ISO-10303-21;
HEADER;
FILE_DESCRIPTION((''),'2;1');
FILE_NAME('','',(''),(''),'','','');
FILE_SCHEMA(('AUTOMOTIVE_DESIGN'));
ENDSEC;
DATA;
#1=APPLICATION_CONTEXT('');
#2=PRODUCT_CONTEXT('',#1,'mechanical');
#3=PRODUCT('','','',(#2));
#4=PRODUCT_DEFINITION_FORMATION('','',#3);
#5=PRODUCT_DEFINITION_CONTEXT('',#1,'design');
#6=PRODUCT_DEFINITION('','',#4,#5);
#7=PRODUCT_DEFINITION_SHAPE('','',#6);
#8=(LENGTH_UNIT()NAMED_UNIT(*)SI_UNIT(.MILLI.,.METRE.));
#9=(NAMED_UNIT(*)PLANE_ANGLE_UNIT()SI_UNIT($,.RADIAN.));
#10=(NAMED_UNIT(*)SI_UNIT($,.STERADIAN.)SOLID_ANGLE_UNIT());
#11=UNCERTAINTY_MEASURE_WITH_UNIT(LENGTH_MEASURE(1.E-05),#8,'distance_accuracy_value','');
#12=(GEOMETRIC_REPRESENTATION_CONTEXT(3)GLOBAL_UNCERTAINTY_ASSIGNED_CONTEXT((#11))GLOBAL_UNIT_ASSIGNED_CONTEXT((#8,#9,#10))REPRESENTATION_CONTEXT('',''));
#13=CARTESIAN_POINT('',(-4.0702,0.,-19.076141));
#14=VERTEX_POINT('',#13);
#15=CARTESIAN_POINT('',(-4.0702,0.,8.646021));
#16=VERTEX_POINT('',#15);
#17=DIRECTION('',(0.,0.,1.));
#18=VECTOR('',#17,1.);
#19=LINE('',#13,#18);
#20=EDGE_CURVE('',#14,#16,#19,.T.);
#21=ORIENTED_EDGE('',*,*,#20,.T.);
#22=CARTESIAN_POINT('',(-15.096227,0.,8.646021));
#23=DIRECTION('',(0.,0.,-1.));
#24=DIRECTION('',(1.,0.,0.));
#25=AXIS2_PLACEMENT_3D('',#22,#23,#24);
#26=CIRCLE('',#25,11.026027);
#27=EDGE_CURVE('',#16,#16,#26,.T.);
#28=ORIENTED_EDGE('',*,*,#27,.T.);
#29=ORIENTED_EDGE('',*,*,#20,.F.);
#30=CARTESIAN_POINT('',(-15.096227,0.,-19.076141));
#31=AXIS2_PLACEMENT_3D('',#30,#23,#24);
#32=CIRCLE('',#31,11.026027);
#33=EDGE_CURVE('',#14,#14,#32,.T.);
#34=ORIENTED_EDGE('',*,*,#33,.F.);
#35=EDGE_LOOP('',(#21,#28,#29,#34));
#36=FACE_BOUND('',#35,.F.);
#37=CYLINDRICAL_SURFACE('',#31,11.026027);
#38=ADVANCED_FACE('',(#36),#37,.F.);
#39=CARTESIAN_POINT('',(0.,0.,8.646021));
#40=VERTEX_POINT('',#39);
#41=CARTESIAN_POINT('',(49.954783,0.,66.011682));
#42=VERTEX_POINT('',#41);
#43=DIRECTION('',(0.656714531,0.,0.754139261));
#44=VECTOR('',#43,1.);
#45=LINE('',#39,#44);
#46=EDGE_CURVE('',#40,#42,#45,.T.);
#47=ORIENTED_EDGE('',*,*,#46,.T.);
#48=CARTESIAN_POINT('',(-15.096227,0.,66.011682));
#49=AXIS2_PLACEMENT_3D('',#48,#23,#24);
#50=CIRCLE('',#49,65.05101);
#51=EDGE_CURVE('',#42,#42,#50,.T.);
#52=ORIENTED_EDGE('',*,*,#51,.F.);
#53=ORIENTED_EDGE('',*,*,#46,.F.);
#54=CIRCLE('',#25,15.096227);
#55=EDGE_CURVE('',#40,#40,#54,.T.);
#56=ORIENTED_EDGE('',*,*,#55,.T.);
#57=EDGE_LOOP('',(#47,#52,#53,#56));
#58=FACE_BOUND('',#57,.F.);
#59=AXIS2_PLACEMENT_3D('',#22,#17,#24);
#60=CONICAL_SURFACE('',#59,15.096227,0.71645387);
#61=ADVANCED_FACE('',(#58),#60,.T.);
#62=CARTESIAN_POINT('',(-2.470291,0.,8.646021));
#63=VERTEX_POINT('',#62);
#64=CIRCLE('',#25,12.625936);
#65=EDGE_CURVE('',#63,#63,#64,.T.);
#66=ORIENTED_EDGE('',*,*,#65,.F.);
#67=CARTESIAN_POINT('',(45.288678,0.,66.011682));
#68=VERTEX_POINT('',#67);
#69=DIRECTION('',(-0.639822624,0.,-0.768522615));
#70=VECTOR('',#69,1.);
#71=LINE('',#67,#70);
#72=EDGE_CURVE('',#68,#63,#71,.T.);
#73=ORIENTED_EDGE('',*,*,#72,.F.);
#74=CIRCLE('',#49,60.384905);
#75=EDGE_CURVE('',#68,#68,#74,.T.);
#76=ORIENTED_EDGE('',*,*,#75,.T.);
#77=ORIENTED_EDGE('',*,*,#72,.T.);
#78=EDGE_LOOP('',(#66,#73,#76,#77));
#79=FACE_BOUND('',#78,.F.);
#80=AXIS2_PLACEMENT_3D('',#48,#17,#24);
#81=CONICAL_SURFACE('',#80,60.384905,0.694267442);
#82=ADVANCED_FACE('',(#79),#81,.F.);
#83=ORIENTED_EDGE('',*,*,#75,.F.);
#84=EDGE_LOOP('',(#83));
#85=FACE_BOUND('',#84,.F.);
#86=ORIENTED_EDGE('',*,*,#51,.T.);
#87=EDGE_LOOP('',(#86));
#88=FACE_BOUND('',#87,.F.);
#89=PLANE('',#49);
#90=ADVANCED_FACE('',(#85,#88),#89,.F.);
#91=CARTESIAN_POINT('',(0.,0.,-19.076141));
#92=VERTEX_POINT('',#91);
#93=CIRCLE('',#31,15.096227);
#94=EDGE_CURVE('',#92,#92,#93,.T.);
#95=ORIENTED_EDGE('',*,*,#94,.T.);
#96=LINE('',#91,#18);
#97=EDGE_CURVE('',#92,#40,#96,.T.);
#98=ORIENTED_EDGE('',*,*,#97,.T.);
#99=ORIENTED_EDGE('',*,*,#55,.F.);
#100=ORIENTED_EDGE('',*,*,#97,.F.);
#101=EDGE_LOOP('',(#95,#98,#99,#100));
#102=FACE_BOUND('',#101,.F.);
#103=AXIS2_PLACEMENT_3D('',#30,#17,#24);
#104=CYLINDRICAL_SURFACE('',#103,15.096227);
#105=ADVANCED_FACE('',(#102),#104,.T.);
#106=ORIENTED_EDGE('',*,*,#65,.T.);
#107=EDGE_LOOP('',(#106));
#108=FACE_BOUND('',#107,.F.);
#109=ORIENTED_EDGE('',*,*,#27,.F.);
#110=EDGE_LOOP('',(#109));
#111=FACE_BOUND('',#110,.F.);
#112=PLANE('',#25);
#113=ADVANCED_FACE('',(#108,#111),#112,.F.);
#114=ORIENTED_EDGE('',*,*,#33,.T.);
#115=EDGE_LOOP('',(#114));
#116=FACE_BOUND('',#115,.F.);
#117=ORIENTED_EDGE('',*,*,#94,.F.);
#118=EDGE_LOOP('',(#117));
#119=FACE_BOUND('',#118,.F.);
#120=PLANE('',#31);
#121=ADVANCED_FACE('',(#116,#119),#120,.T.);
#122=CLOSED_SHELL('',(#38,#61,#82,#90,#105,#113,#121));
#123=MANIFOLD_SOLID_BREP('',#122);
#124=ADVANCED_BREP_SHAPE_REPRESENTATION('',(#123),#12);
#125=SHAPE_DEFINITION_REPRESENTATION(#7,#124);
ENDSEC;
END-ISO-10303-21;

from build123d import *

# Parameters (mm, degrees)
F2_R     = 11.026027
F3_DEPTH = 50.8


with BuildPart() as f1:
    # F0 (on Front) → F1 (revolve)
    with BuildSketch(Plane.XZ):
        Polygon((-2.470291, 8.646021), (-15.096227, 8.646021), (-15.096227, -19.076141), (0, -19.076141), (0, 8.646021), (49.954783, 66.011682), (45.288678, 66.011682), align=None)
    revolve(axis=Axis((-15.096227, 0, -5.21506), (0, 0, -1)))

    # F2 (on face) → F3 (cut)
    with BuildSketch(Plane(origin=(0, 0, -19.076141), x_dir=(1, 0, 0), z_dir=(0, 0, -1))):
        with Locations((-15.096227, 0)):
            Circle(F2_R)
    extrude(amount=-F3_DEPTH, mode=Mode.SUBTRACT)


solid = f1.part
